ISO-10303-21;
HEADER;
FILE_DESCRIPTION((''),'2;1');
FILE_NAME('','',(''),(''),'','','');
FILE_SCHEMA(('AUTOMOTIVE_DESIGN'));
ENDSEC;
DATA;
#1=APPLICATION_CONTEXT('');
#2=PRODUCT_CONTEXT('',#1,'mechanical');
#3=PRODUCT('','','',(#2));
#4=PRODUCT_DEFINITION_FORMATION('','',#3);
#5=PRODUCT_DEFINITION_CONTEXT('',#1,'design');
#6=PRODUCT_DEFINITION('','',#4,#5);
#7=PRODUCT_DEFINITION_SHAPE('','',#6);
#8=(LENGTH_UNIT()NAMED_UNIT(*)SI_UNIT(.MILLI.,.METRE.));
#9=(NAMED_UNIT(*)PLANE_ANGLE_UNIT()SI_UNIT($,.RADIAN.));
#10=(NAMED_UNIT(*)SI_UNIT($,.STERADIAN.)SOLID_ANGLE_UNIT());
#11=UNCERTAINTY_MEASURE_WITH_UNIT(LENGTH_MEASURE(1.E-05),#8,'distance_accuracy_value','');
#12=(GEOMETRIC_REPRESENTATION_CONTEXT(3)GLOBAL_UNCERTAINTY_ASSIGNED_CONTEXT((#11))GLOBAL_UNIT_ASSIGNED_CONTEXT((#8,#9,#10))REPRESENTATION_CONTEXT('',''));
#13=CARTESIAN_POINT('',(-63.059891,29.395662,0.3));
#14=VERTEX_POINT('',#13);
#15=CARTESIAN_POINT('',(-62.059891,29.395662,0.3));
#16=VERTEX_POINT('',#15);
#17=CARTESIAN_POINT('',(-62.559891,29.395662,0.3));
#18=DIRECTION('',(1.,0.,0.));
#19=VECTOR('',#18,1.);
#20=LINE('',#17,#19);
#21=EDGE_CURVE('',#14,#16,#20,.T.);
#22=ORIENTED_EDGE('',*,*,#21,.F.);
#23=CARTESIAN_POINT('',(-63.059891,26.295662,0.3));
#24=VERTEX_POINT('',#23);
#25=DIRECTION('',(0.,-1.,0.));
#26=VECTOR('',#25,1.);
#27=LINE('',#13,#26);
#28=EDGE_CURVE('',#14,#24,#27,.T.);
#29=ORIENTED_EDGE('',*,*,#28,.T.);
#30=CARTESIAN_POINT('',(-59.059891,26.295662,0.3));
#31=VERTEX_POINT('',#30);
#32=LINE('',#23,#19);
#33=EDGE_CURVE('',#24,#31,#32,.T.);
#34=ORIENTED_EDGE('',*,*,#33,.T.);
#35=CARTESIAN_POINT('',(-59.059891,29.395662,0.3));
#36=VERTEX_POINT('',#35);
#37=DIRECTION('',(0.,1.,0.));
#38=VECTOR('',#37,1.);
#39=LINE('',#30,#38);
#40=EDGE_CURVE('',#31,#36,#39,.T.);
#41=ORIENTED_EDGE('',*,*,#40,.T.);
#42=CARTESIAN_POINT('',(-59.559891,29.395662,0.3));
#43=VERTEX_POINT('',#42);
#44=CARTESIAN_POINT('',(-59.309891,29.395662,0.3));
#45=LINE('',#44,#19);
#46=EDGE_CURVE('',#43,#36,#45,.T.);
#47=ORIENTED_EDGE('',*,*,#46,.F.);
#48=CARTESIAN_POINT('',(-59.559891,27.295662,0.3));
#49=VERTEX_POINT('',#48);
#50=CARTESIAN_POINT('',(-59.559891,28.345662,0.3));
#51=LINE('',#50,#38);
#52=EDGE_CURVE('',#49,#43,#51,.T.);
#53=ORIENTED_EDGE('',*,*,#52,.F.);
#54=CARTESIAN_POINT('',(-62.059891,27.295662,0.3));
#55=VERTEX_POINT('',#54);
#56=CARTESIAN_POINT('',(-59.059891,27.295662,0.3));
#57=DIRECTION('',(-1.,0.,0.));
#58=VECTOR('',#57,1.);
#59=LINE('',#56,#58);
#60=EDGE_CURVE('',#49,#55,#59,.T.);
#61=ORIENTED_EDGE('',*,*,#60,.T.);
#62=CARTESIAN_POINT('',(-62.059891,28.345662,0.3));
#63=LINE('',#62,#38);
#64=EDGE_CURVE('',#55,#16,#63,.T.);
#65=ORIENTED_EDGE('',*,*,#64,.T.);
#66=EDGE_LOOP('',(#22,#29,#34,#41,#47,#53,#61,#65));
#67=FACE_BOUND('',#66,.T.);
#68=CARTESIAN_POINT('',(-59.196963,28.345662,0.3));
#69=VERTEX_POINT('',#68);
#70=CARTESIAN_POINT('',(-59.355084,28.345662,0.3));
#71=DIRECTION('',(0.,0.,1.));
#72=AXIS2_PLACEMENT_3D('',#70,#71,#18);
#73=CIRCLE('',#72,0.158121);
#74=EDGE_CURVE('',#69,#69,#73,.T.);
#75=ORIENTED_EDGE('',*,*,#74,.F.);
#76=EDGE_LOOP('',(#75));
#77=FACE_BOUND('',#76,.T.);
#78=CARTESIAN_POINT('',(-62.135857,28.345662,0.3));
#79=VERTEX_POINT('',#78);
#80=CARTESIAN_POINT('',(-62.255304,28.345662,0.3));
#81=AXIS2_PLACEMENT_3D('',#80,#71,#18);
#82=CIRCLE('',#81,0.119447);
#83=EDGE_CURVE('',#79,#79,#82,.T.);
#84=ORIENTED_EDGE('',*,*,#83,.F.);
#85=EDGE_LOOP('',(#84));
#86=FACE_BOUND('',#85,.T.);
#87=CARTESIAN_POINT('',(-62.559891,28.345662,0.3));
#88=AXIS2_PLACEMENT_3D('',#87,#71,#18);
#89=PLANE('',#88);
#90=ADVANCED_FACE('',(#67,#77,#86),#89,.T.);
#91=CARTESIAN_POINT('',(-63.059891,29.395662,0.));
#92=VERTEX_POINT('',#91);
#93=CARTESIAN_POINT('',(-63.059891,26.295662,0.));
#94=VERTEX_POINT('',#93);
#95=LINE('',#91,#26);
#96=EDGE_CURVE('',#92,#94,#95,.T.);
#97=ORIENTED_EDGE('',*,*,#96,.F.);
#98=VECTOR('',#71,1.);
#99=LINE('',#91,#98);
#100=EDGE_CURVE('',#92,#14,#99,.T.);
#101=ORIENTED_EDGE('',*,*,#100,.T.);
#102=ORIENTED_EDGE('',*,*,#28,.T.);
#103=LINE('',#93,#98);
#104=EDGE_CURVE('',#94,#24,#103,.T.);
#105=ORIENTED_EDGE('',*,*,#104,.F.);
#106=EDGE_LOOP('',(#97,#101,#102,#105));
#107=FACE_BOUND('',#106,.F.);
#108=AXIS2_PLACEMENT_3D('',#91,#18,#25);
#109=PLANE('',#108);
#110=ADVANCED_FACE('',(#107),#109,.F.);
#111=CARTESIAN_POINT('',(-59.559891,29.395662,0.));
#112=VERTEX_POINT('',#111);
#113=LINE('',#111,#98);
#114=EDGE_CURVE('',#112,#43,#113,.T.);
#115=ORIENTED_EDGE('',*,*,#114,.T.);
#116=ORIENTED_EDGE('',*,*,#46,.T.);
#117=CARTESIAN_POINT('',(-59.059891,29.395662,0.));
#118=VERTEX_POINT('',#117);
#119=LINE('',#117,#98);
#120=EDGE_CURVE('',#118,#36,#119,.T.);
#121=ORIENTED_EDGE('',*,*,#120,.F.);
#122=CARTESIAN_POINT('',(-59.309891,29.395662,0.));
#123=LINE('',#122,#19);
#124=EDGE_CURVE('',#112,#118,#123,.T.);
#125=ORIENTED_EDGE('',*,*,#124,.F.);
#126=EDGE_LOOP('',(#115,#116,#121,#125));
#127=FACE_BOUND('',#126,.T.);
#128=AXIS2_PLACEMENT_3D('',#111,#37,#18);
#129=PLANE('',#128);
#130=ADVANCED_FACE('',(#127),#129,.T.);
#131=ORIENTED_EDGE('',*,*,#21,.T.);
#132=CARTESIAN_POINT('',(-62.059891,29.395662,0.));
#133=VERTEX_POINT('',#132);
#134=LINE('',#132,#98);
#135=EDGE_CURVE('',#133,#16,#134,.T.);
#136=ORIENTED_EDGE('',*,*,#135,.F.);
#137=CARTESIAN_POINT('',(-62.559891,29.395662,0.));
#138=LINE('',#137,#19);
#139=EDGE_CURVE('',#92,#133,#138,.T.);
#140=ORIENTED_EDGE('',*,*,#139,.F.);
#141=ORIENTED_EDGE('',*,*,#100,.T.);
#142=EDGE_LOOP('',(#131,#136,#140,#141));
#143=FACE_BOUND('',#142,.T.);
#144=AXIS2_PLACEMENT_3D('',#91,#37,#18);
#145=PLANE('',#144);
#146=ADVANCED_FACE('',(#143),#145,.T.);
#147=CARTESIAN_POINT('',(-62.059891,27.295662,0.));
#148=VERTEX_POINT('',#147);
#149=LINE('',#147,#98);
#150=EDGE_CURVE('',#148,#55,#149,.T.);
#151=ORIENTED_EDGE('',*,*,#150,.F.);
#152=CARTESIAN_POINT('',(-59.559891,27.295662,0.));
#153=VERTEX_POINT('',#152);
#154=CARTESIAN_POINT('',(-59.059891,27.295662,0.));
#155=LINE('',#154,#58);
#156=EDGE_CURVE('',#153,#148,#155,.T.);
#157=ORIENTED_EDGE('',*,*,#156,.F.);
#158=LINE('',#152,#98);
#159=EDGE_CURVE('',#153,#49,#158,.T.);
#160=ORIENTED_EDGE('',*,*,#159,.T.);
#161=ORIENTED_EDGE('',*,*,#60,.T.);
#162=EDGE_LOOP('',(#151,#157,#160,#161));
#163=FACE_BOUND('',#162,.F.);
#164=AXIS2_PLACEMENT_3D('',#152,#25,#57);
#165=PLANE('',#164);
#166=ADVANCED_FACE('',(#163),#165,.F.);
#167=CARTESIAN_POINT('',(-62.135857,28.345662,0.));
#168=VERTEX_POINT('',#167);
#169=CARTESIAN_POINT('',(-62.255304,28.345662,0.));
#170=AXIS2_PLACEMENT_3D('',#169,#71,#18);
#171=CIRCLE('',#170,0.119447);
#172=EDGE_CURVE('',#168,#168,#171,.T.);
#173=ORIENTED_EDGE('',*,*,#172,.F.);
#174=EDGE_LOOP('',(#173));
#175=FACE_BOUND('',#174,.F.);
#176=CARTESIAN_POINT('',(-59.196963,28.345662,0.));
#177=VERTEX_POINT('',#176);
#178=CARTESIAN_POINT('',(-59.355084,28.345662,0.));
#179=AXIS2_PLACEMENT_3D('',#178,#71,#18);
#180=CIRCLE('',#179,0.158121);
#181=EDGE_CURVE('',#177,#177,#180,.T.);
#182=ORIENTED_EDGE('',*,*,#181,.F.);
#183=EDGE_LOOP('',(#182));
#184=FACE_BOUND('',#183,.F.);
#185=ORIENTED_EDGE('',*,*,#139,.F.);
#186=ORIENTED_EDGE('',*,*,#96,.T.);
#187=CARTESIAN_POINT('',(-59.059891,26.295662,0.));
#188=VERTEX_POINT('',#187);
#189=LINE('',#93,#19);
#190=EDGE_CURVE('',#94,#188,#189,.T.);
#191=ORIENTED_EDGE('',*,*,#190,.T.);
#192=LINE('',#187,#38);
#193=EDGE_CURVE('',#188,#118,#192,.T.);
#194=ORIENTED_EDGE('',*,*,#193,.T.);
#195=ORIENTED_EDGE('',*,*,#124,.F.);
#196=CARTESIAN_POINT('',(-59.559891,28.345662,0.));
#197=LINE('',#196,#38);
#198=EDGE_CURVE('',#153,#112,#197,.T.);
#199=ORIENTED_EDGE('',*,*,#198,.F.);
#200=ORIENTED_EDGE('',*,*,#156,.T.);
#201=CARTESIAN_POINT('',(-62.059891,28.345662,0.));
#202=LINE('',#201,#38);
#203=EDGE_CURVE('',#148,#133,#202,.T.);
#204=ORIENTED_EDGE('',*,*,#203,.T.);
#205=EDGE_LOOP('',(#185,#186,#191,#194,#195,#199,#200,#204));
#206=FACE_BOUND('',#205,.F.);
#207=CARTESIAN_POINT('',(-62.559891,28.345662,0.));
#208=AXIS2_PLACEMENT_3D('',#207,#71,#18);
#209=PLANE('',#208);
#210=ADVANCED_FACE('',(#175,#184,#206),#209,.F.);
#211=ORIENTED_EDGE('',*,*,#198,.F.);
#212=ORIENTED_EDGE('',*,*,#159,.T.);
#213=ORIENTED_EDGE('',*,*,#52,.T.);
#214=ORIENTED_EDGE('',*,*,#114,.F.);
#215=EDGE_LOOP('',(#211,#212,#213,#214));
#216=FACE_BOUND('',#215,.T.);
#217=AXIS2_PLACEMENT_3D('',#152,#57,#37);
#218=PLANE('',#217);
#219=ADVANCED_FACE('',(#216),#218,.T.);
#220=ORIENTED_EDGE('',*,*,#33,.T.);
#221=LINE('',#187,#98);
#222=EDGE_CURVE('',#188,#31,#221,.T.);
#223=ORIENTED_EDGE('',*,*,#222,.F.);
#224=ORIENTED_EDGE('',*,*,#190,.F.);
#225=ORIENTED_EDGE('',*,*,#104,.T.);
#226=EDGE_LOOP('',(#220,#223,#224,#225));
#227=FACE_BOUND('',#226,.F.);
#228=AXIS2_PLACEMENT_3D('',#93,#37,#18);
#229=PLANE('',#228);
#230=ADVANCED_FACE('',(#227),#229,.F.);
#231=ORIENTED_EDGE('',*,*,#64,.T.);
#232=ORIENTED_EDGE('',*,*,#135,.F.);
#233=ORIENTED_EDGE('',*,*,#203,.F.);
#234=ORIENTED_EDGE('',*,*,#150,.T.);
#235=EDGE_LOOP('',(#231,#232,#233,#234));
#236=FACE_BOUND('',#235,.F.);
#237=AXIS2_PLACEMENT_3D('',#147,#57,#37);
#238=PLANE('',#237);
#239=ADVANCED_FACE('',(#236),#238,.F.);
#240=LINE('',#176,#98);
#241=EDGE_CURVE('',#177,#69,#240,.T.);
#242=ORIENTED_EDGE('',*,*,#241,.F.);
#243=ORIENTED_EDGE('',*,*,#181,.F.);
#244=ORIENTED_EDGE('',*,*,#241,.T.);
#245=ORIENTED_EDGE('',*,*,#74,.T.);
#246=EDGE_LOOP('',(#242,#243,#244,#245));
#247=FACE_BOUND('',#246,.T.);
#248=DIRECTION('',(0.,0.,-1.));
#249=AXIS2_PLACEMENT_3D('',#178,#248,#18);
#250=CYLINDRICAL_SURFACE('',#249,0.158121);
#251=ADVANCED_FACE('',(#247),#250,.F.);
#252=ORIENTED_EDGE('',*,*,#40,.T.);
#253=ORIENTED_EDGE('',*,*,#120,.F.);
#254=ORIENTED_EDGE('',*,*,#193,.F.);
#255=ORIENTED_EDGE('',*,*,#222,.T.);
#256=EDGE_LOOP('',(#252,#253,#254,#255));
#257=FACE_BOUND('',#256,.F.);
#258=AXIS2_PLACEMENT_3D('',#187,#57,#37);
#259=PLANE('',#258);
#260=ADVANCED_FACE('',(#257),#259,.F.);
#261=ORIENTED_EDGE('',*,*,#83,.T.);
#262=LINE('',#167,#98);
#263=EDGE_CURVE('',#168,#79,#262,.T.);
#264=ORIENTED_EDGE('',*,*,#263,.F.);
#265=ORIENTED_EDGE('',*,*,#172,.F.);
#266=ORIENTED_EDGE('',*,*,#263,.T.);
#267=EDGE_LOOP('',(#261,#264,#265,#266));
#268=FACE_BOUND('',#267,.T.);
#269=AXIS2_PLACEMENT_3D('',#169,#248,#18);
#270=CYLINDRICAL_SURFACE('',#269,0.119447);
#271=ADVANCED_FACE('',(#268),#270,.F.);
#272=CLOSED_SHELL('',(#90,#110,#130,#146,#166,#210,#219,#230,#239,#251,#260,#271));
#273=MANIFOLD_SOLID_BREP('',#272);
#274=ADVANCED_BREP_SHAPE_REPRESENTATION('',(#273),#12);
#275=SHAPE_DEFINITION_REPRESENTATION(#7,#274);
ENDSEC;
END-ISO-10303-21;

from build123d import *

# Parameters (mm, degrees)
F0_W     = 1
F0_H     = 2.1
F0_R     = 0.119447
F0_W_2   = 0.5
F0_R_2   = 0.158121
F1_DEPTH = 0.3


with BuildPart() as f1:
    # F0 (on Top) → F1 (new body)
    with BuildSketch(Plane.XY):
        with Locations((-62.559891, 28.345662)):
            Rectangle(F0_W, F0_H)
        with Locations((-62.255304, 28.345662)):
            Circle(F0_R, mode=Mode.SUBTRACT)
        Polygon((-62.059891, 27.295662), (-63.059891, 27.295662), (-63.059891, 26.295662), (-59.059891, 26.295662), (-59.059891, 27.295662), (-59.559891, 27.295662), align=None)
        with Locations((-59.309891, 28.345662)):
            Rectangle(F0_W_2, F0_H)
        with Locations((-59.355084, 28.345662)):
            Circle(F0_R_2, mode=Mode.SUBTRACT)
    extrude(amount=F1_DEPTH)


solid = f1.part
